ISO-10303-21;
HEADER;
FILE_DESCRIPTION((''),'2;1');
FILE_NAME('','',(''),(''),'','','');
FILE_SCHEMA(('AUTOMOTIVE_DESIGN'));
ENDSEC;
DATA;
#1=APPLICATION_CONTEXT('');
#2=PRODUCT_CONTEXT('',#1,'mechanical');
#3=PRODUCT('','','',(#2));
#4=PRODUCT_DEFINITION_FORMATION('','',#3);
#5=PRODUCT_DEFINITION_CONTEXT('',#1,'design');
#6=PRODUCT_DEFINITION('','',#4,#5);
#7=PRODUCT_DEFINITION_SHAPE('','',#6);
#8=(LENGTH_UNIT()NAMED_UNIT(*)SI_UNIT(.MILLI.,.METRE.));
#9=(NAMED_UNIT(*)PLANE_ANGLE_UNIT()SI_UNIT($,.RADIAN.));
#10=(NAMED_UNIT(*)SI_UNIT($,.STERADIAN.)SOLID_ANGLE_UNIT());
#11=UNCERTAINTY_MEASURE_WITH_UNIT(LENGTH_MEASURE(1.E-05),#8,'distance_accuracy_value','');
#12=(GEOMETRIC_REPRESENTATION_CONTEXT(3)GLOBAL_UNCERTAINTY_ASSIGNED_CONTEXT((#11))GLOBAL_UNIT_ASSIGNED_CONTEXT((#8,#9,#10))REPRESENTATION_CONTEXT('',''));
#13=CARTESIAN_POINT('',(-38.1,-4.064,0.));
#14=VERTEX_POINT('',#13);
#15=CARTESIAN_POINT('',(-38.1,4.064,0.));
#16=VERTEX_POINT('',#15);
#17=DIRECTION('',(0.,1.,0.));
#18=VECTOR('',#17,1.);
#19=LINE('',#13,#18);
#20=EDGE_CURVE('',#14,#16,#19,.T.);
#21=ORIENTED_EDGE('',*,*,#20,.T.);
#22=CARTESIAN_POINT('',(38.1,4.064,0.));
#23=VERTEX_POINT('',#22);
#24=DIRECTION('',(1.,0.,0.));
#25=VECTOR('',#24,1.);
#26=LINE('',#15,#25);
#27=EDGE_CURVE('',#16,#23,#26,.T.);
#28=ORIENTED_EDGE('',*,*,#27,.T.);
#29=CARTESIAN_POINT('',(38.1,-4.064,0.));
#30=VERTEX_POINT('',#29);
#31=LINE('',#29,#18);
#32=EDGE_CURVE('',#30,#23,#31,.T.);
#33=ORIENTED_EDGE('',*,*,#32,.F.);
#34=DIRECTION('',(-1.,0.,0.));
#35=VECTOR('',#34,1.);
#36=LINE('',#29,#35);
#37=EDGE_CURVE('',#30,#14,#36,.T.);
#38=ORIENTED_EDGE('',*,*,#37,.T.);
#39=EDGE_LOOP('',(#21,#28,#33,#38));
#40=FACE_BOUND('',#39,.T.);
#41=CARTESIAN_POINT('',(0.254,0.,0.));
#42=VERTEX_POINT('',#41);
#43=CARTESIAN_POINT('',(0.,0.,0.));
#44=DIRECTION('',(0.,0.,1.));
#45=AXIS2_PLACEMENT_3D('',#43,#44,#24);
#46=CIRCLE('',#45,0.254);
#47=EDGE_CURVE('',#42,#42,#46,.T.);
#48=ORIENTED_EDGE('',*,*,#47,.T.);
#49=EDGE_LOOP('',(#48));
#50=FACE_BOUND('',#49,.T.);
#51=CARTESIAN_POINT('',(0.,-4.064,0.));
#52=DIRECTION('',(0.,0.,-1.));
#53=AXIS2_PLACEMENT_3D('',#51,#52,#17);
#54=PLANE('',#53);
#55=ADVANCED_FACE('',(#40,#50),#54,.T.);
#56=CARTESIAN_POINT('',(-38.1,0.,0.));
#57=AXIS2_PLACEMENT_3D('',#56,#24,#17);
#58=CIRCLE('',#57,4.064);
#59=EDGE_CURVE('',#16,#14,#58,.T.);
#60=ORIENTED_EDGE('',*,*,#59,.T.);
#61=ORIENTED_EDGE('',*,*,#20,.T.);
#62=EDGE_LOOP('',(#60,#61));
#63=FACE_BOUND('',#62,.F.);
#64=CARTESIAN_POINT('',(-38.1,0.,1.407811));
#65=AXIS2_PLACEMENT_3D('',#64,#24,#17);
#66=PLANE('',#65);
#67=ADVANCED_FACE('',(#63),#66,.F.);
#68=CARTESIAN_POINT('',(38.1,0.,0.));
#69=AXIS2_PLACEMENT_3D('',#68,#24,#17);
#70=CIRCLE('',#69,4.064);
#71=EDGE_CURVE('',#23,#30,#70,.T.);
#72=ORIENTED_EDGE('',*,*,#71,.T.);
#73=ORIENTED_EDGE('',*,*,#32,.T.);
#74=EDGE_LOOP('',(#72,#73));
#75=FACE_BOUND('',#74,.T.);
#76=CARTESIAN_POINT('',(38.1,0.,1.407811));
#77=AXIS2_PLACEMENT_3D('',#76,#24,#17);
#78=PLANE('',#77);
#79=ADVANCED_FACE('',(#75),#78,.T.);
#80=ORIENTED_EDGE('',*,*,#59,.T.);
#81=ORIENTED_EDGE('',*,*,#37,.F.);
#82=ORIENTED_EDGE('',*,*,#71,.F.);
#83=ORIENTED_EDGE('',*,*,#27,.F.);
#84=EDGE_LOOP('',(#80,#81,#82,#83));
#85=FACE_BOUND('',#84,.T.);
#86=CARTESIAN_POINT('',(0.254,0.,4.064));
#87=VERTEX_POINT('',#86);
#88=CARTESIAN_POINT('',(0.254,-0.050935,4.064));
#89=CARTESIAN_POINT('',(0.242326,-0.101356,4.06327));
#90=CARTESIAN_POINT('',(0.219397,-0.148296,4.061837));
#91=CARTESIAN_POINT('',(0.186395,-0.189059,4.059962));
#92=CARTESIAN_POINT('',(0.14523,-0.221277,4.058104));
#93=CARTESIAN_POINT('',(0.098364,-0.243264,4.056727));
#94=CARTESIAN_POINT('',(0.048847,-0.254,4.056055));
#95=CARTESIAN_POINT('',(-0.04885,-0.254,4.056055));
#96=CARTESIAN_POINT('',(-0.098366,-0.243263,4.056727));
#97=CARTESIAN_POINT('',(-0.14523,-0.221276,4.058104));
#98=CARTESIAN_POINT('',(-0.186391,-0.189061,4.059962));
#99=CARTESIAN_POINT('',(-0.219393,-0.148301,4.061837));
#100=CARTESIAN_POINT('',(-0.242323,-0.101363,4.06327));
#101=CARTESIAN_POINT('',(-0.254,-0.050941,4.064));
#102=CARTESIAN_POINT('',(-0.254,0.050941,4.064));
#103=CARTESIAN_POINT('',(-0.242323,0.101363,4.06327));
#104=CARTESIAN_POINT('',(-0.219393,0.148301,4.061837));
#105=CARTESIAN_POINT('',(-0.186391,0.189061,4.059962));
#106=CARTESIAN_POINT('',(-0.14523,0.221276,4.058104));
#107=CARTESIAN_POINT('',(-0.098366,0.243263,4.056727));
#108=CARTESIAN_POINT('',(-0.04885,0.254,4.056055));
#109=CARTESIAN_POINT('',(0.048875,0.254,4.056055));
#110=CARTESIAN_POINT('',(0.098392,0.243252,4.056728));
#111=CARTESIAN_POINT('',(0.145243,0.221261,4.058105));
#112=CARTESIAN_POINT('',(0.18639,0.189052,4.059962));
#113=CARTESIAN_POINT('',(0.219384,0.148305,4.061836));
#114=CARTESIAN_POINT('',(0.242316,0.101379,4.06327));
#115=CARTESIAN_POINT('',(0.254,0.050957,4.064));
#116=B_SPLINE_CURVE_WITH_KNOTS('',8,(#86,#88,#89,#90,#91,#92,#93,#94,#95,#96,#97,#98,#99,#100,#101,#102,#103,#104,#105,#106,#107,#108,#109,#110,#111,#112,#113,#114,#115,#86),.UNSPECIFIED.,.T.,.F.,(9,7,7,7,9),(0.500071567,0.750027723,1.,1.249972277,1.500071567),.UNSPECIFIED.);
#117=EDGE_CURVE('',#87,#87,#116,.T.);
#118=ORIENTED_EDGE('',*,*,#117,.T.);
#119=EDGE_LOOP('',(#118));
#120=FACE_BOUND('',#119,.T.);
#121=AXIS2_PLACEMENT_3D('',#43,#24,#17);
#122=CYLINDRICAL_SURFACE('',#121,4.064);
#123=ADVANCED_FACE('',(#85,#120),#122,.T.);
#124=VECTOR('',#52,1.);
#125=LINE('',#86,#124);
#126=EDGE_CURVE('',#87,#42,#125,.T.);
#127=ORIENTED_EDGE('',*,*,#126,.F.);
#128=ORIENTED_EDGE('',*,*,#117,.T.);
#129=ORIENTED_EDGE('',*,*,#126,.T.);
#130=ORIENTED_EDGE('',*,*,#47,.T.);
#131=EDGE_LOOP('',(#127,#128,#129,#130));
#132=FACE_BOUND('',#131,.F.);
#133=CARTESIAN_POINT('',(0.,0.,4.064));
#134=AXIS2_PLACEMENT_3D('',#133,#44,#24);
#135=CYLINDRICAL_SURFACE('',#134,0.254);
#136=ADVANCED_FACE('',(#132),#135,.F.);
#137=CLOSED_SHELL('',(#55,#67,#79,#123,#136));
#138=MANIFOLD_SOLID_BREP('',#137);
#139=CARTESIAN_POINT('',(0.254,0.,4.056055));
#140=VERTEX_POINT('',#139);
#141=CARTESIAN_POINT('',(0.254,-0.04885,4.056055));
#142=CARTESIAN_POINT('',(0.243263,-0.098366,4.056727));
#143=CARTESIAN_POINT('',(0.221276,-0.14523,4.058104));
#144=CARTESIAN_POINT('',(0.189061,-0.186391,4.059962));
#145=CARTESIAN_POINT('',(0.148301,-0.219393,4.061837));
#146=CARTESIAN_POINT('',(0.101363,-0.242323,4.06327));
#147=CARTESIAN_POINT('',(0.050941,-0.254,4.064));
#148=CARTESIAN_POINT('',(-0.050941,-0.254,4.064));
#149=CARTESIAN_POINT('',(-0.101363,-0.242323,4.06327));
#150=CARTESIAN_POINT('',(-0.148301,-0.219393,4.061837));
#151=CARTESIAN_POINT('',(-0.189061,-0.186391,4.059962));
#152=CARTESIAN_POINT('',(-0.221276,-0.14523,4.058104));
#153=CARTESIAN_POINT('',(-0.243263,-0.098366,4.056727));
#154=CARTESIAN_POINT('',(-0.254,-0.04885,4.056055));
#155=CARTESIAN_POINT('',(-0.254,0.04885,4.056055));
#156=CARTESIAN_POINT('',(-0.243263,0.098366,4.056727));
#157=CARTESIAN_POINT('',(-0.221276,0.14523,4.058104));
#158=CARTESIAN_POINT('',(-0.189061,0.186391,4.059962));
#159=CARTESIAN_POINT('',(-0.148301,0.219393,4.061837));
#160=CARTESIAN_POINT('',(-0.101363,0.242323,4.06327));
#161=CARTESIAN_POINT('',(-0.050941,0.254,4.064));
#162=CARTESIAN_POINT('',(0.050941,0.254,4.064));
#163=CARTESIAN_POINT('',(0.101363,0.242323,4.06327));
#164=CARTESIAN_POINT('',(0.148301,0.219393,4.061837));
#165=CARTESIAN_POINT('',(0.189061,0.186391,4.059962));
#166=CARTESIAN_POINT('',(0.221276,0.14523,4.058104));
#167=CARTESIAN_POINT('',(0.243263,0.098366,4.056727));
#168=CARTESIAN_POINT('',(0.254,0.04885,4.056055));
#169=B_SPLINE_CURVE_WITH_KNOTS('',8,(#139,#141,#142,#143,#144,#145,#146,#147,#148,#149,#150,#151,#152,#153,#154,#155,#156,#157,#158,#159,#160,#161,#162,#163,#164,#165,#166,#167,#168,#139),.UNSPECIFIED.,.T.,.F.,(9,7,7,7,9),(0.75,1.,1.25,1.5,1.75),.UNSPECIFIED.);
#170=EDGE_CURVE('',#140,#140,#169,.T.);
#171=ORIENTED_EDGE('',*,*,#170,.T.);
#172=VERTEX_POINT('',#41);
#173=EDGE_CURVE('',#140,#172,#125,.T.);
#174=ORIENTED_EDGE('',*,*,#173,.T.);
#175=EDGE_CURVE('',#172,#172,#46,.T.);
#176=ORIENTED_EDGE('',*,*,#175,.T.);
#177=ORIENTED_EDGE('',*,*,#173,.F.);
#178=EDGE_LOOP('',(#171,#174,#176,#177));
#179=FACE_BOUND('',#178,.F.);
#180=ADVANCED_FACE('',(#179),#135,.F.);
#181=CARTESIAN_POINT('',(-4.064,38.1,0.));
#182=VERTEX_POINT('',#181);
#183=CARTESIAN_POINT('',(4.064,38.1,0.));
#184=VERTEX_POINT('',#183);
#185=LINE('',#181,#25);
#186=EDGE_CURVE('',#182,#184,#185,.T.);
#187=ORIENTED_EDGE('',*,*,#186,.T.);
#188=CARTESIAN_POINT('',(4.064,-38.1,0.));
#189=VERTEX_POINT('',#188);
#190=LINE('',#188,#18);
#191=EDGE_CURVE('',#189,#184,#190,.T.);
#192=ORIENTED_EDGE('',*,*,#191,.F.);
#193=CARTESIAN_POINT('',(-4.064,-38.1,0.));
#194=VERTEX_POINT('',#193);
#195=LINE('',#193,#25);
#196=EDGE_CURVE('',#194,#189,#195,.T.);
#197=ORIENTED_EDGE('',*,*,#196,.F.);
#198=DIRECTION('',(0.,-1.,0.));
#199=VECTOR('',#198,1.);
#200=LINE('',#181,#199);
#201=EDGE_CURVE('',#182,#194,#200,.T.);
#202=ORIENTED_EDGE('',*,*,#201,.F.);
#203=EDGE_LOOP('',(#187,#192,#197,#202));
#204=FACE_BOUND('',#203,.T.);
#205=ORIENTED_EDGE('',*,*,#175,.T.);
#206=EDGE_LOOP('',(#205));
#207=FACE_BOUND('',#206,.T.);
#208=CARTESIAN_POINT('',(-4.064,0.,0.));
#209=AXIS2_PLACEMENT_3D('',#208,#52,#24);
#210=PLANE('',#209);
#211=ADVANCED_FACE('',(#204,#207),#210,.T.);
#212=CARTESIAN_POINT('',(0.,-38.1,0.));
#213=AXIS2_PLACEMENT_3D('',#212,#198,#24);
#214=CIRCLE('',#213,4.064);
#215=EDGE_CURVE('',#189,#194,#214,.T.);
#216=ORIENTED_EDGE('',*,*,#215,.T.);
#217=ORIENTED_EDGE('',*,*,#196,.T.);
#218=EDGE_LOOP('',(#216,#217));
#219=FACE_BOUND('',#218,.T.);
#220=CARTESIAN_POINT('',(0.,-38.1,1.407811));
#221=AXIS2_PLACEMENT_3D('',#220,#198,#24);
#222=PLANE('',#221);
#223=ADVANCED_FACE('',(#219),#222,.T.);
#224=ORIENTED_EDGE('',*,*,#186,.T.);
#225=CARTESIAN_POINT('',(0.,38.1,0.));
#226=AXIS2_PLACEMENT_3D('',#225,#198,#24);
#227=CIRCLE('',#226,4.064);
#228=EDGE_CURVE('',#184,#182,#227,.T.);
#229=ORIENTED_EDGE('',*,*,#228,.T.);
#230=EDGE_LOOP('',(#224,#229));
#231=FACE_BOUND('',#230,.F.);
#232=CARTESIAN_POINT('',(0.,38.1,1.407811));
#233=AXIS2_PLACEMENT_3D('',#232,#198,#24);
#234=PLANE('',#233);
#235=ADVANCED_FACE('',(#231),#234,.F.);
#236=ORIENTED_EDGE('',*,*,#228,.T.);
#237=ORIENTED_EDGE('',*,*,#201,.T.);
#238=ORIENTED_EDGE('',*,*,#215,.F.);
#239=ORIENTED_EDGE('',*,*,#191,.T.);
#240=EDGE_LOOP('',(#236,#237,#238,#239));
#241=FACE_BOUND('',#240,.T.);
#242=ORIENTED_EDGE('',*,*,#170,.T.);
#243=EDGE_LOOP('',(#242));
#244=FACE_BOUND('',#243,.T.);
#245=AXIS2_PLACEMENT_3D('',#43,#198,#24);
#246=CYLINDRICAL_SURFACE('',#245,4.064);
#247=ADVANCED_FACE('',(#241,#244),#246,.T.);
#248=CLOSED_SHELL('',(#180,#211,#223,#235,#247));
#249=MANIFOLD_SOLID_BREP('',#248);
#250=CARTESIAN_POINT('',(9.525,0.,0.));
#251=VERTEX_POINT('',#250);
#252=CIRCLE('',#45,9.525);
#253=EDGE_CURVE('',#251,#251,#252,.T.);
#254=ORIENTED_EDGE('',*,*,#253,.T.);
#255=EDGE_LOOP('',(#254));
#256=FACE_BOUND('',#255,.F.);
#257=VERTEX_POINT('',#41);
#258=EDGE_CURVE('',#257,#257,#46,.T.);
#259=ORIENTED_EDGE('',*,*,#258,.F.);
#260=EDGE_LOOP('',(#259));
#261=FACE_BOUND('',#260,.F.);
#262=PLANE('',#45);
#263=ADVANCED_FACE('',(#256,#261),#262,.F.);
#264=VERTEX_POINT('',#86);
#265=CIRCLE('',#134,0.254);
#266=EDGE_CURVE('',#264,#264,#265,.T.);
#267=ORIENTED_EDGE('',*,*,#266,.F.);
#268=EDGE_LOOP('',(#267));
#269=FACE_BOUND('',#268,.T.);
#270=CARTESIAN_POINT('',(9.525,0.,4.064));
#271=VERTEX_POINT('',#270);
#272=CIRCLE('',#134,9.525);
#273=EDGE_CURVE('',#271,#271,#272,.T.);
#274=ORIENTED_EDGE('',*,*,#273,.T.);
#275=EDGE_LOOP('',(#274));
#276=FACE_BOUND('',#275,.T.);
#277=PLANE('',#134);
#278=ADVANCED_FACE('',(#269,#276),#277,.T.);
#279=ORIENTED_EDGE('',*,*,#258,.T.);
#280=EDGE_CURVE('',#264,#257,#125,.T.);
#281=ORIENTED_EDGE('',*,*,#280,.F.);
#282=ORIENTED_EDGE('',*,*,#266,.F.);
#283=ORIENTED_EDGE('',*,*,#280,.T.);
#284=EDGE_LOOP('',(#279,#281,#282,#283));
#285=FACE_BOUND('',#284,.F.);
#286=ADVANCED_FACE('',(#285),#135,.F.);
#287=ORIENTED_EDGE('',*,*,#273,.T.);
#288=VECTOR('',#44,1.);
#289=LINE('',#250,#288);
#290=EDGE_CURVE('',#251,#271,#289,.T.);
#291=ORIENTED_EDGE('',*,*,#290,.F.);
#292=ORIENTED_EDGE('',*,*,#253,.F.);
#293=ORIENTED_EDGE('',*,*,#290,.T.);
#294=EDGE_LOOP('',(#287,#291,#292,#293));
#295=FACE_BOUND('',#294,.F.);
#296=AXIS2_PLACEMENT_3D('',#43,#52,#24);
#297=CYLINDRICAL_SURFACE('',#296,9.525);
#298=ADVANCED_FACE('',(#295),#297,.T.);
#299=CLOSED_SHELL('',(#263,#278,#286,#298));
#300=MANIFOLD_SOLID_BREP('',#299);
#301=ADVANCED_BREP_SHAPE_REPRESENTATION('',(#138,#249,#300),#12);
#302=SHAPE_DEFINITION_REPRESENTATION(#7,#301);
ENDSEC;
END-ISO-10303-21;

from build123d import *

# Parameters (mm, degrees)
F3_DEPTH = 38.1
F4_DEPTH = 38.1
F0_R     = 9.525
F5_DEPTH = 4.064
F6_R     = 0.254
F7_DEPTH = 25.4


with BuildPart() as f3:
    # F2 (on Front) → F3 (new body, symmetric)
    with BuildSketch(Plane.XZ):
        with BuildLine():
            ThreePointArc((4.064, 0), (0, 4.064), (-4.064, 0))
            Line((-4.064, 0), (4.064, 0))
        make_face()
    extrude(amount=F3_DEPTH, both=True)


with BuildPart() as f4:
    # F1 (on Right) → F4 (new body, symmetric)
    with BuildSketch(Plane.YZ):
        with BuildLine():
            Line((-4.064, 0), (4.064, 0))
            ThreePointArc((4.064, 0), (0, 4.064), (-4.064, 0))
        make_face()
    extrude(amount=F4_DEPTH, both=True)


with BuildPart() as f5:
    # F0 (on Top) → F5 (new body)
    with BuildSketch(Plane.XY):
        Circle(F0_R)
    extrude(amount=F5_DEPTH)


with BuildPart() as f7_tool:
    # F6 (on face) → F7 (new body)
    with BuildSketch(Plane.XY.offset(4.064)):
        Circle(F6_R)
    extrude(amount=-F7_DEPTH)


with BuildPart() as f3_1:
    add(f3.part)

    # F7: cut by f7_tool
    add(f7_tool.part, mode=Mode.SUBTRACT)


with BuildPart() as f4_1:
    add(f4.part)

    # F7: cut by f7_tool
    add(f7_tool.part, mode=Mode.SUBTRACT)


with BuildPart() as f5_1:
    add(f5.part)

    # F7: cut by f7_tool
    add(f7_tool.part, mode=Mode.SUBTRACT)


solid = Compound([f3_1.part, f4_1.part, f5_1.part])
